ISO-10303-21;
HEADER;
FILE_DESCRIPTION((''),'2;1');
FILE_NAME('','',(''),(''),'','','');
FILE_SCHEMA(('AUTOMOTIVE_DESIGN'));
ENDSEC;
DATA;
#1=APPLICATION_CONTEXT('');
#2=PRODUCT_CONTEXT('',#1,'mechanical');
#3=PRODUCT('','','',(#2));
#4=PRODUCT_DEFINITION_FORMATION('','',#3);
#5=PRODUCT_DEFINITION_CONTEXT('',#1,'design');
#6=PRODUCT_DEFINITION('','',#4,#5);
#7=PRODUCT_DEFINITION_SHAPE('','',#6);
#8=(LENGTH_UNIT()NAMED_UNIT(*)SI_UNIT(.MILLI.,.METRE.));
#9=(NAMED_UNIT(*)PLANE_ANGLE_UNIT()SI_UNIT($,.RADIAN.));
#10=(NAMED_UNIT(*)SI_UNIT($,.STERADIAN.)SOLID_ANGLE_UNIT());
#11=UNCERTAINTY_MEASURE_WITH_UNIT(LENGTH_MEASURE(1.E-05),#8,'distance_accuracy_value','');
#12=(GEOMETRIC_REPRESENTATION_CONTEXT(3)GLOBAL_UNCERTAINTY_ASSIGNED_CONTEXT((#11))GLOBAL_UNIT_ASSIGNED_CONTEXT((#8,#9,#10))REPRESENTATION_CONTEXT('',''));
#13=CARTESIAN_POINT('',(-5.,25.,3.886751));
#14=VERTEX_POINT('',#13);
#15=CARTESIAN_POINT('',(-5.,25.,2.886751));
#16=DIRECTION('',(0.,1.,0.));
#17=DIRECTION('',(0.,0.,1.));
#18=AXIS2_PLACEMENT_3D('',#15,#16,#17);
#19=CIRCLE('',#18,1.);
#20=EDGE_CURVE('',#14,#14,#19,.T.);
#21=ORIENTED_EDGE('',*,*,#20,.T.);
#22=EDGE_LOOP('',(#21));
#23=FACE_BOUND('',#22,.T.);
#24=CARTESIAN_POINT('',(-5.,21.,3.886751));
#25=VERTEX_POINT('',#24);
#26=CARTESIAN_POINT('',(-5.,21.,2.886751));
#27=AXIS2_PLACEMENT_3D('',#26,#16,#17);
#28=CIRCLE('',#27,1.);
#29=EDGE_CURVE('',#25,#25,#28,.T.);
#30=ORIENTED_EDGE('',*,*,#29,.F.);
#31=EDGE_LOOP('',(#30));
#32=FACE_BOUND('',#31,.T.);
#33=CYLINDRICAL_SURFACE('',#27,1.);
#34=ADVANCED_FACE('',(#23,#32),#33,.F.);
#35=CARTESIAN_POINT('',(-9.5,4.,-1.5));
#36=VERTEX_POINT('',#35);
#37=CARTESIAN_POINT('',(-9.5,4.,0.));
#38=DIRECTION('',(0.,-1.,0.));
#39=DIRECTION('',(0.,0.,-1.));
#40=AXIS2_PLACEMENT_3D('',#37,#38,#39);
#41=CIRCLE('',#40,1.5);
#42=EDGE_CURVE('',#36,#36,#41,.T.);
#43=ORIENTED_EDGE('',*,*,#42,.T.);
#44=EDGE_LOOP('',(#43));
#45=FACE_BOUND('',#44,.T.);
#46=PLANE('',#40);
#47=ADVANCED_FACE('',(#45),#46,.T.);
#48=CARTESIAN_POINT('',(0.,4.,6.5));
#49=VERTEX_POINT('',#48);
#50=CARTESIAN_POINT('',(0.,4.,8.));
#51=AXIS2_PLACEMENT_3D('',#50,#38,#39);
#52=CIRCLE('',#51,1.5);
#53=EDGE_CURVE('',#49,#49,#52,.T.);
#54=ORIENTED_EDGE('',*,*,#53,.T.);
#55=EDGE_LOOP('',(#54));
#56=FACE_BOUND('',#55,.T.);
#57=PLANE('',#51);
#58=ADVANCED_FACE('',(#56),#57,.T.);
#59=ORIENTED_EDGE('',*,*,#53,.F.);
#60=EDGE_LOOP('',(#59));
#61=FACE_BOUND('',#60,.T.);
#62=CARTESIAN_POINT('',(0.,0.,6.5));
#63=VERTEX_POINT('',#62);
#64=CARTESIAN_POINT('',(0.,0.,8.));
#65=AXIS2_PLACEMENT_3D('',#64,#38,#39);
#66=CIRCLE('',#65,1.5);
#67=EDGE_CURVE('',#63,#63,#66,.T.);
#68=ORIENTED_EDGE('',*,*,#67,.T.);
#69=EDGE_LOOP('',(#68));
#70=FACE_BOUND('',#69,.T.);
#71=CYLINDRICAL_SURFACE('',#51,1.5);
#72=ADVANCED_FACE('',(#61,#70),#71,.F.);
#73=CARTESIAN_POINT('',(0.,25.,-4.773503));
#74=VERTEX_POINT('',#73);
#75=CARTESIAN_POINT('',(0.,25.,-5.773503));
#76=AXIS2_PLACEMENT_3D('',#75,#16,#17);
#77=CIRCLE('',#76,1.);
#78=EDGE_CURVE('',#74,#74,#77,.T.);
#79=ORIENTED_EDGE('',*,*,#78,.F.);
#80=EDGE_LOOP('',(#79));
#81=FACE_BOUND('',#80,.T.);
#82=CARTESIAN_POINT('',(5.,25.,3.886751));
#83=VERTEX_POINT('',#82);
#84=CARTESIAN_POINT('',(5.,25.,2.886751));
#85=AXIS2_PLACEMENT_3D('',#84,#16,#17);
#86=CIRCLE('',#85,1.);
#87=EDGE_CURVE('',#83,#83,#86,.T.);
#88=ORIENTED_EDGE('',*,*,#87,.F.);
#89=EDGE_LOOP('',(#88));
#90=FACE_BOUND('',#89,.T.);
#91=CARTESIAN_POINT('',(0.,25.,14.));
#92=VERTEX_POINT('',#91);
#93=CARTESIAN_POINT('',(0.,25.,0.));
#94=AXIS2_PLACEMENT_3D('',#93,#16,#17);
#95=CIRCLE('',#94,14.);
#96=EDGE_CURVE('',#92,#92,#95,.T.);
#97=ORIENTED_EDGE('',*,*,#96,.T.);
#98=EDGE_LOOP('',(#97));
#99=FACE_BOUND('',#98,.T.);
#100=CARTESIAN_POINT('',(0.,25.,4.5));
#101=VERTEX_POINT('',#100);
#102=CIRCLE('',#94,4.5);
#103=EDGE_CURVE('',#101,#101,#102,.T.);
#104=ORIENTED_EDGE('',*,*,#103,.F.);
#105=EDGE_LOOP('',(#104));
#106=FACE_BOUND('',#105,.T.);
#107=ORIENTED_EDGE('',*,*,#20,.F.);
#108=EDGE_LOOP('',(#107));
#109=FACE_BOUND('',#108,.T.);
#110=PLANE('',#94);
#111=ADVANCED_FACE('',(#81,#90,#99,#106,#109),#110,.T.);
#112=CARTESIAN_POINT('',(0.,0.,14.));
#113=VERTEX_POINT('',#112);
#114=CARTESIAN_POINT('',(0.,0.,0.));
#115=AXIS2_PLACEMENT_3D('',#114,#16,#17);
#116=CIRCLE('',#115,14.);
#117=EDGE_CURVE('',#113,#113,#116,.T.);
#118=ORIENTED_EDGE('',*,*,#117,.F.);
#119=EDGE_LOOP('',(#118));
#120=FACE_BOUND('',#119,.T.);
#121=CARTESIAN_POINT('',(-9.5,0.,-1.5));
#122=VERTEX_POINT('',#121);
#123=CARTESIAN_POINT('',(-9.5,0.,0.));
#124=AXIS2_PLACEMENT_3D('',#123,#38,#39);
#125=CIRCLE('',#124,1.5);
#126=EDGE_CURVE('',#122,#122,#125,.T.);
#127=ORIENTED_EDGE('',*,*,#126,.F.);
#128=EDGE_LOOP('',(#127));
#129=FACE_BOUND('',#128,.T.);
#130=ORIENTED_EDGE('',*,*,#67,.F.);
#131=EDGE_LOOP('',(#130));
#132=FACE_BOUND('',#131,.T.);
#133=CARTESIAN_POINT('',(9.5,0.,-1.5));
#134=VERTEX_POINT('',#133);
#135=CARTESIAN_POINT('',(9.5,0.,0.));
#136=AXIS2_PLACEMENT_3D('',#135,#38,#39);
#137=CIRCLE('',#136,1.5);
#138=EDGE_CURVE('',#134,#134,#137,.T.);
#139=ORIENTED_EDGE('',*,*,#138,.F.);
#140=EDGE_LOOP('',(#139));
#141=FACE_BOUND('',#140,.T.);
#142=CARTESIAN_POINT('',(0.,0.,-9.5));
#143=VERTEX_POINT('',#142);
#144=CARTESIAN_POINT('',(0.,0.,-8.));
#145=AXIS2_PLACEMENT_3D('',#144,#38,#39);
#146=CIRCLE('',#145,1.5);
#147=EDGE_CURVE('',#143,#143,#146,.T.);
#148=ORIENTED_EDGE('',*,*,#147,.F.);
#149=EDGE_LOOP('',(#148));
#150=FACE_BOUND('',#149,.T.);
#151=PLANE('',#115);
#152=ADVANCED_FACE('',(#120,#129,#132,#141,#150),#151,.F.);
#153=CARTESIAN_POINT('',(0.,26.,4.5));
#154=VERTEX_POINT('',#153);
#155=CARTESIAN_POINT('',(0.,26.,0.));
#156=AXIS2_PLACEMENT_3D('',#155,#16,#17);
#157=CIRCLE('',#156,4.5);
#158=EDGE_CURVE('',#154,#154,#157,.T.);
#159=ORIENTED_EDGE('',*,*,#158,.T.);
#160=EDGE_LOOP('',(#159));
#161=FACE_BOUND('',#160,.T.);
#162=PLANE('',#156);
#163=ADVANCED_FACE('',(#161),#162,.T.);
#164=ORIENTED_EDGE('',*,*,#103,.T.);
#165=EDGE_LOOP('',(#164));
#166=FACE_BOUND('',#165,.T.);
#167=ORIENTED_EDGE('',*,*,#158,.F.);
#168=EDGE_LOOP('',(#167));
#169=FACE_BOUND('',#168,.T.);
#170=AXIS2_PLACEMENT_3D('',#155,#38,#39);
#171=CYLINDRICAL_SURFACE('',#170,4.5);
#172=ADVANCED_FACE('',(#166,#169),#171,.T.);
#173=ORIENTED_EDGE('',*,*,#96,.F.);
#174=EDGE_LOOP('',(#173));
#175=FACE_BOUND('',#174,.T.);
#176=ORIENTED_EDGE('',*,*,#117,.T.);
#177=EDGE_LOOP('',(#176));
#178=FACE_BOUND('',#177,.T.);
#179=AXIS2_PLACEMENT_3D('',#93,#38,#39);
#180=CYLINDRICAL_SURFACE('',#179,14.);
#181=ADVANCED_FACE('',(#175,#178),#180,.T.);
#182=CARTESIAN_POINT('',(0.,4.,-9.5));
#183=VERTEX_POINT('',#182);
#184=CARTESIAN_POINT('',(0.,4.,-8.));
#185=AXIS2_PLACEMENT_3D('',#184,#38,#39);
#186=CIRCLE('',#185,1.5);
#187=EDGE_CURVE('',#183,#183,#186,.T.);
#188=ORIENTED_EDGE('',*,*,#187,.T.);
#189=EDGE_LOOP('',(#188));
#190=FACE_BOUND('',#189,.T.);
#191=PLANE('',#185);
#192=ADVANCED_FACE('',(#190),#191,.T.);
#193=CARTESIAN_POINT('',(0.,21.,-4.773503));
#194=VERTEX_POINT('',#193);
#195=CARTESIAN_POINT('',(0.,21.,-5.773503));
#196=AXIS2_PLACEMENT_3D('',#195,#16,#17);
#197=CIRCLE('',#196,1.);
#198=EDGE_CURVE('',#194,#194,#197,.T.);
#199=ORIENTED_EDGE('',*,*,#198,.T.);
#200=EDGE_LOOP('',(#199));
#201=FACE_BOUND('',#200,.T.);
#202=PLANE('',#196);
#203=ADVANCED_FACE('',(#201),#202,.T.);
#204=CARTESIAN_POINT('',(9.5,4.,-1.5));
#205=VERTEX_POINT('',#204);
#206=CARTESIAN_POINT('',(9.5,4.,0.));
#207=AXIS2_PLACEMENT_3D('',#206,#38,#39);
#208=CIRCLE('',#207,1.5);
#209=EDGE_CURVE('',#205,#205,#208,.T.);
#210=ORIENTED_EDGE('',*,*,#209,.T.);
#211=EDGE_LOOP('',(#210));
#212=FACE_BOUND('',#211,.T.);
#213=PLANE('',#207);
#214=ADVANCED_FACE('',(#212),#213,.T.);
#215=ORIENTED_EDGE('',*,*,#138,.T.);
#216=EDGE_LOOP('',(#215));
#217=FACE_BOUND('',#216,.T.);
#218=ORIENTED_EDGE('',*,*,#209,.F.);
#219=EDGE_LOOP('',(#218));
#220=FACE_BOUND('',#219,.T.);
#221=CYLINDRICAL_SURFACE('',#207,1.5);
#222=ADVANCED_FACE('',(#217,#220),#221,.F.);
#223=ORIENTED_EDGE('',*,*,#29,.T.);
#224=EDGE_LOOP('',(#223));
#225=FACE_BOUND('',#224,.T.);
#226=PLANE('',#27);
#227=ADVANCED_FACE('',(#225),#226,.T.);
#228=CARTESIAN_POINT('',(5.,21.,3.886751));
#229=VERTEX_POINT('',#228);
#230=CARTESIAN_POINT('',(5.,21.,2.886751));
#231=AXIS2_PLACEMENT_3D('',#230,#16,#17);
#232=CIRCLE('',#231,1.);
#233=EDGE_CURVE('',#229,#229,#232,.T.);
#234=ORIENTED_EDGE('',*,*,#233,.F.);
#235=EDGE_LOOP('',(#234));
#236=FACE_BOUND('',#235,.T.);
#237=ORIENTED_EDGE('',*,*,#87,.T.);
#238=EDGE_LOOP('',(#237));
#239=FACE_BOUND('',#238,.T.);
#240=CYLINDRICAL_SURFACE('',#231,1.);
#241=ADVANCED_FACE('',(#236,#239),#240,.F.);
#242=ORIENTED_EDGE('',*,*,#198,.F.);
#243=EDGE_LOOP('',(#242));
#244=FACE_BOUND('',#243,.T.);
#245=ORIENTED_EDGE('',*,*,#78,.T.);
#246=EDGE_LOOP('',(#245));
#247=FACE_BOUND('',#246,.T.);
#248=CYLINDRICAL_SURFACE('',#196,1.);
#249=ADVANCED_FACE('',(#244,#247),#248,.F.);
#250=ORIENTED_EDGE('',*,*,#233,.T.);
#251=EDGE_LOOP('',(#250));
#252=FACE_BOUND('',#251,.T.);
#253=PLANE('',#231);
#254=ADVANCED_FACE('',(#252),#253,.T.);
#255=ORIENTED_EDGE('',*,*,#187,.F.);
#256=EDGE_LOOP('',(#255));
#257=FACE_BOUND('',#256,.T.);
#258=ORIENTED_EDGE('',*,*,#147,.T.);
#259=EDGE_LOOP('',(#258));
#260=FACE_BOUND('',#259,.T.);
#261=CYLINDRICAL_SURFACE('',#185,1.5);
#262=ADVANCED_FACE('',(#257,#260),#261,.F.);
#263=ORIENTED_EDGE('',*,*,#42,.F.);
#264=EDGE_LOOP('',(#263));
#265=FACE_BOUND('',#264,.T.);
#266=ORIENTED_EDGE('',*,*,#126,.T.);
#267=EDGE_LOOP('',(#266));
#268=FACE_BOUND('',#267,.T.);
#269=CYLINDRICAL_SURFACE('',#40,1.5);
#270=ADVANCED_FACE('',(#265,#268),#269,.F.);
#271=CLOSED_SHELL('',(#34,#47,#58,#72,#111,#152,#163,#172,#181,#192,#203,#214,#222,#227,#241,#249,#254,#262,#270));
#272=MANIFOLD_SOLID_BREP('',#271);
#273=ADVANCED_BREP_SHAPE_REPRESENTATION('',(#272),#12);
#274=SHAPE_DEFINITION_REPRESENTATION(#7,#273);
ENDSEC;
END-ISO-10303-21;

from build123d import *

# Parameters (mm, degrees)
SKETCH1_R           = 14
BOSS_EXTRUDE1_DEPTH = 25
SKETCH3_R           = 4.5
BOSS_EXTRUDE2_DEPTH = 1
SKETCH4_R           = 1
CUT_EXTRUDE1_DEPTH  = 4
SKETCH5_R           = 1.5
CUT_EXTRUDE2_DEPTH  = 4


with BuildPart() as part:
    # Sketch1 → Boss-Extrude1 (new body)
    with BuildSketch(Plane(origin=(0, 0, 0), x_dir=(1, 0, 0), z_dir=(0, 1, 0))):
        Circle(SKETCH1_R)
    extrude(amount=BOSS_EXTRUDE1_DEPTH)

    # Sketch3 → Boss-Extrude2 (add)
    with BuildSketch(Plane(origin=(0, 25, 0), x_dir=(1, 0, 0), z_dir=(0, 1, 0))):
        Circle(SKETCH3_R)
    extrude(amount=BOSS_EXTRUDE2_DEPTH)

    # Sketch4 → Cut-Extrude1 (cut)
    with BuildSketch(Plane(origin=(0, 25, 0), x_dir=(1, 0, 0), z_dir=(0, 1, 0))):
        with Locations((0, 5.773502692)):
            Circle(SKETCH4_R)
        with Locations((5, -2.886751346)):
            Circle(SKETCH4_R)
        with Locations((-5, -2.886751346)):
            Circle(SKETCH4_R)
    extrude(amount=-CUT_EXTRUDE1_DEPTH, mode=Mode.SUBTRACT)

    # Sketch5 → Cut-Extrude2 (cut)
    with BuildSketch(Plane.XZ):
        with Locations((9.5, 0)):
            Circle(SKETCH5_R)
        with Locations((-9.5, 0)):
            Circle(SKETCH5_R)
        with Locations((0, -8)):
            Circle(SKETCH5_R)
        with Locations((0, 8)):
            Circle(SKETCH5_R)
    extrude(amount=-CUT_EXTRUDE2_DEPTH, mode=Mode.SUBTRACT)


solid = part.part
